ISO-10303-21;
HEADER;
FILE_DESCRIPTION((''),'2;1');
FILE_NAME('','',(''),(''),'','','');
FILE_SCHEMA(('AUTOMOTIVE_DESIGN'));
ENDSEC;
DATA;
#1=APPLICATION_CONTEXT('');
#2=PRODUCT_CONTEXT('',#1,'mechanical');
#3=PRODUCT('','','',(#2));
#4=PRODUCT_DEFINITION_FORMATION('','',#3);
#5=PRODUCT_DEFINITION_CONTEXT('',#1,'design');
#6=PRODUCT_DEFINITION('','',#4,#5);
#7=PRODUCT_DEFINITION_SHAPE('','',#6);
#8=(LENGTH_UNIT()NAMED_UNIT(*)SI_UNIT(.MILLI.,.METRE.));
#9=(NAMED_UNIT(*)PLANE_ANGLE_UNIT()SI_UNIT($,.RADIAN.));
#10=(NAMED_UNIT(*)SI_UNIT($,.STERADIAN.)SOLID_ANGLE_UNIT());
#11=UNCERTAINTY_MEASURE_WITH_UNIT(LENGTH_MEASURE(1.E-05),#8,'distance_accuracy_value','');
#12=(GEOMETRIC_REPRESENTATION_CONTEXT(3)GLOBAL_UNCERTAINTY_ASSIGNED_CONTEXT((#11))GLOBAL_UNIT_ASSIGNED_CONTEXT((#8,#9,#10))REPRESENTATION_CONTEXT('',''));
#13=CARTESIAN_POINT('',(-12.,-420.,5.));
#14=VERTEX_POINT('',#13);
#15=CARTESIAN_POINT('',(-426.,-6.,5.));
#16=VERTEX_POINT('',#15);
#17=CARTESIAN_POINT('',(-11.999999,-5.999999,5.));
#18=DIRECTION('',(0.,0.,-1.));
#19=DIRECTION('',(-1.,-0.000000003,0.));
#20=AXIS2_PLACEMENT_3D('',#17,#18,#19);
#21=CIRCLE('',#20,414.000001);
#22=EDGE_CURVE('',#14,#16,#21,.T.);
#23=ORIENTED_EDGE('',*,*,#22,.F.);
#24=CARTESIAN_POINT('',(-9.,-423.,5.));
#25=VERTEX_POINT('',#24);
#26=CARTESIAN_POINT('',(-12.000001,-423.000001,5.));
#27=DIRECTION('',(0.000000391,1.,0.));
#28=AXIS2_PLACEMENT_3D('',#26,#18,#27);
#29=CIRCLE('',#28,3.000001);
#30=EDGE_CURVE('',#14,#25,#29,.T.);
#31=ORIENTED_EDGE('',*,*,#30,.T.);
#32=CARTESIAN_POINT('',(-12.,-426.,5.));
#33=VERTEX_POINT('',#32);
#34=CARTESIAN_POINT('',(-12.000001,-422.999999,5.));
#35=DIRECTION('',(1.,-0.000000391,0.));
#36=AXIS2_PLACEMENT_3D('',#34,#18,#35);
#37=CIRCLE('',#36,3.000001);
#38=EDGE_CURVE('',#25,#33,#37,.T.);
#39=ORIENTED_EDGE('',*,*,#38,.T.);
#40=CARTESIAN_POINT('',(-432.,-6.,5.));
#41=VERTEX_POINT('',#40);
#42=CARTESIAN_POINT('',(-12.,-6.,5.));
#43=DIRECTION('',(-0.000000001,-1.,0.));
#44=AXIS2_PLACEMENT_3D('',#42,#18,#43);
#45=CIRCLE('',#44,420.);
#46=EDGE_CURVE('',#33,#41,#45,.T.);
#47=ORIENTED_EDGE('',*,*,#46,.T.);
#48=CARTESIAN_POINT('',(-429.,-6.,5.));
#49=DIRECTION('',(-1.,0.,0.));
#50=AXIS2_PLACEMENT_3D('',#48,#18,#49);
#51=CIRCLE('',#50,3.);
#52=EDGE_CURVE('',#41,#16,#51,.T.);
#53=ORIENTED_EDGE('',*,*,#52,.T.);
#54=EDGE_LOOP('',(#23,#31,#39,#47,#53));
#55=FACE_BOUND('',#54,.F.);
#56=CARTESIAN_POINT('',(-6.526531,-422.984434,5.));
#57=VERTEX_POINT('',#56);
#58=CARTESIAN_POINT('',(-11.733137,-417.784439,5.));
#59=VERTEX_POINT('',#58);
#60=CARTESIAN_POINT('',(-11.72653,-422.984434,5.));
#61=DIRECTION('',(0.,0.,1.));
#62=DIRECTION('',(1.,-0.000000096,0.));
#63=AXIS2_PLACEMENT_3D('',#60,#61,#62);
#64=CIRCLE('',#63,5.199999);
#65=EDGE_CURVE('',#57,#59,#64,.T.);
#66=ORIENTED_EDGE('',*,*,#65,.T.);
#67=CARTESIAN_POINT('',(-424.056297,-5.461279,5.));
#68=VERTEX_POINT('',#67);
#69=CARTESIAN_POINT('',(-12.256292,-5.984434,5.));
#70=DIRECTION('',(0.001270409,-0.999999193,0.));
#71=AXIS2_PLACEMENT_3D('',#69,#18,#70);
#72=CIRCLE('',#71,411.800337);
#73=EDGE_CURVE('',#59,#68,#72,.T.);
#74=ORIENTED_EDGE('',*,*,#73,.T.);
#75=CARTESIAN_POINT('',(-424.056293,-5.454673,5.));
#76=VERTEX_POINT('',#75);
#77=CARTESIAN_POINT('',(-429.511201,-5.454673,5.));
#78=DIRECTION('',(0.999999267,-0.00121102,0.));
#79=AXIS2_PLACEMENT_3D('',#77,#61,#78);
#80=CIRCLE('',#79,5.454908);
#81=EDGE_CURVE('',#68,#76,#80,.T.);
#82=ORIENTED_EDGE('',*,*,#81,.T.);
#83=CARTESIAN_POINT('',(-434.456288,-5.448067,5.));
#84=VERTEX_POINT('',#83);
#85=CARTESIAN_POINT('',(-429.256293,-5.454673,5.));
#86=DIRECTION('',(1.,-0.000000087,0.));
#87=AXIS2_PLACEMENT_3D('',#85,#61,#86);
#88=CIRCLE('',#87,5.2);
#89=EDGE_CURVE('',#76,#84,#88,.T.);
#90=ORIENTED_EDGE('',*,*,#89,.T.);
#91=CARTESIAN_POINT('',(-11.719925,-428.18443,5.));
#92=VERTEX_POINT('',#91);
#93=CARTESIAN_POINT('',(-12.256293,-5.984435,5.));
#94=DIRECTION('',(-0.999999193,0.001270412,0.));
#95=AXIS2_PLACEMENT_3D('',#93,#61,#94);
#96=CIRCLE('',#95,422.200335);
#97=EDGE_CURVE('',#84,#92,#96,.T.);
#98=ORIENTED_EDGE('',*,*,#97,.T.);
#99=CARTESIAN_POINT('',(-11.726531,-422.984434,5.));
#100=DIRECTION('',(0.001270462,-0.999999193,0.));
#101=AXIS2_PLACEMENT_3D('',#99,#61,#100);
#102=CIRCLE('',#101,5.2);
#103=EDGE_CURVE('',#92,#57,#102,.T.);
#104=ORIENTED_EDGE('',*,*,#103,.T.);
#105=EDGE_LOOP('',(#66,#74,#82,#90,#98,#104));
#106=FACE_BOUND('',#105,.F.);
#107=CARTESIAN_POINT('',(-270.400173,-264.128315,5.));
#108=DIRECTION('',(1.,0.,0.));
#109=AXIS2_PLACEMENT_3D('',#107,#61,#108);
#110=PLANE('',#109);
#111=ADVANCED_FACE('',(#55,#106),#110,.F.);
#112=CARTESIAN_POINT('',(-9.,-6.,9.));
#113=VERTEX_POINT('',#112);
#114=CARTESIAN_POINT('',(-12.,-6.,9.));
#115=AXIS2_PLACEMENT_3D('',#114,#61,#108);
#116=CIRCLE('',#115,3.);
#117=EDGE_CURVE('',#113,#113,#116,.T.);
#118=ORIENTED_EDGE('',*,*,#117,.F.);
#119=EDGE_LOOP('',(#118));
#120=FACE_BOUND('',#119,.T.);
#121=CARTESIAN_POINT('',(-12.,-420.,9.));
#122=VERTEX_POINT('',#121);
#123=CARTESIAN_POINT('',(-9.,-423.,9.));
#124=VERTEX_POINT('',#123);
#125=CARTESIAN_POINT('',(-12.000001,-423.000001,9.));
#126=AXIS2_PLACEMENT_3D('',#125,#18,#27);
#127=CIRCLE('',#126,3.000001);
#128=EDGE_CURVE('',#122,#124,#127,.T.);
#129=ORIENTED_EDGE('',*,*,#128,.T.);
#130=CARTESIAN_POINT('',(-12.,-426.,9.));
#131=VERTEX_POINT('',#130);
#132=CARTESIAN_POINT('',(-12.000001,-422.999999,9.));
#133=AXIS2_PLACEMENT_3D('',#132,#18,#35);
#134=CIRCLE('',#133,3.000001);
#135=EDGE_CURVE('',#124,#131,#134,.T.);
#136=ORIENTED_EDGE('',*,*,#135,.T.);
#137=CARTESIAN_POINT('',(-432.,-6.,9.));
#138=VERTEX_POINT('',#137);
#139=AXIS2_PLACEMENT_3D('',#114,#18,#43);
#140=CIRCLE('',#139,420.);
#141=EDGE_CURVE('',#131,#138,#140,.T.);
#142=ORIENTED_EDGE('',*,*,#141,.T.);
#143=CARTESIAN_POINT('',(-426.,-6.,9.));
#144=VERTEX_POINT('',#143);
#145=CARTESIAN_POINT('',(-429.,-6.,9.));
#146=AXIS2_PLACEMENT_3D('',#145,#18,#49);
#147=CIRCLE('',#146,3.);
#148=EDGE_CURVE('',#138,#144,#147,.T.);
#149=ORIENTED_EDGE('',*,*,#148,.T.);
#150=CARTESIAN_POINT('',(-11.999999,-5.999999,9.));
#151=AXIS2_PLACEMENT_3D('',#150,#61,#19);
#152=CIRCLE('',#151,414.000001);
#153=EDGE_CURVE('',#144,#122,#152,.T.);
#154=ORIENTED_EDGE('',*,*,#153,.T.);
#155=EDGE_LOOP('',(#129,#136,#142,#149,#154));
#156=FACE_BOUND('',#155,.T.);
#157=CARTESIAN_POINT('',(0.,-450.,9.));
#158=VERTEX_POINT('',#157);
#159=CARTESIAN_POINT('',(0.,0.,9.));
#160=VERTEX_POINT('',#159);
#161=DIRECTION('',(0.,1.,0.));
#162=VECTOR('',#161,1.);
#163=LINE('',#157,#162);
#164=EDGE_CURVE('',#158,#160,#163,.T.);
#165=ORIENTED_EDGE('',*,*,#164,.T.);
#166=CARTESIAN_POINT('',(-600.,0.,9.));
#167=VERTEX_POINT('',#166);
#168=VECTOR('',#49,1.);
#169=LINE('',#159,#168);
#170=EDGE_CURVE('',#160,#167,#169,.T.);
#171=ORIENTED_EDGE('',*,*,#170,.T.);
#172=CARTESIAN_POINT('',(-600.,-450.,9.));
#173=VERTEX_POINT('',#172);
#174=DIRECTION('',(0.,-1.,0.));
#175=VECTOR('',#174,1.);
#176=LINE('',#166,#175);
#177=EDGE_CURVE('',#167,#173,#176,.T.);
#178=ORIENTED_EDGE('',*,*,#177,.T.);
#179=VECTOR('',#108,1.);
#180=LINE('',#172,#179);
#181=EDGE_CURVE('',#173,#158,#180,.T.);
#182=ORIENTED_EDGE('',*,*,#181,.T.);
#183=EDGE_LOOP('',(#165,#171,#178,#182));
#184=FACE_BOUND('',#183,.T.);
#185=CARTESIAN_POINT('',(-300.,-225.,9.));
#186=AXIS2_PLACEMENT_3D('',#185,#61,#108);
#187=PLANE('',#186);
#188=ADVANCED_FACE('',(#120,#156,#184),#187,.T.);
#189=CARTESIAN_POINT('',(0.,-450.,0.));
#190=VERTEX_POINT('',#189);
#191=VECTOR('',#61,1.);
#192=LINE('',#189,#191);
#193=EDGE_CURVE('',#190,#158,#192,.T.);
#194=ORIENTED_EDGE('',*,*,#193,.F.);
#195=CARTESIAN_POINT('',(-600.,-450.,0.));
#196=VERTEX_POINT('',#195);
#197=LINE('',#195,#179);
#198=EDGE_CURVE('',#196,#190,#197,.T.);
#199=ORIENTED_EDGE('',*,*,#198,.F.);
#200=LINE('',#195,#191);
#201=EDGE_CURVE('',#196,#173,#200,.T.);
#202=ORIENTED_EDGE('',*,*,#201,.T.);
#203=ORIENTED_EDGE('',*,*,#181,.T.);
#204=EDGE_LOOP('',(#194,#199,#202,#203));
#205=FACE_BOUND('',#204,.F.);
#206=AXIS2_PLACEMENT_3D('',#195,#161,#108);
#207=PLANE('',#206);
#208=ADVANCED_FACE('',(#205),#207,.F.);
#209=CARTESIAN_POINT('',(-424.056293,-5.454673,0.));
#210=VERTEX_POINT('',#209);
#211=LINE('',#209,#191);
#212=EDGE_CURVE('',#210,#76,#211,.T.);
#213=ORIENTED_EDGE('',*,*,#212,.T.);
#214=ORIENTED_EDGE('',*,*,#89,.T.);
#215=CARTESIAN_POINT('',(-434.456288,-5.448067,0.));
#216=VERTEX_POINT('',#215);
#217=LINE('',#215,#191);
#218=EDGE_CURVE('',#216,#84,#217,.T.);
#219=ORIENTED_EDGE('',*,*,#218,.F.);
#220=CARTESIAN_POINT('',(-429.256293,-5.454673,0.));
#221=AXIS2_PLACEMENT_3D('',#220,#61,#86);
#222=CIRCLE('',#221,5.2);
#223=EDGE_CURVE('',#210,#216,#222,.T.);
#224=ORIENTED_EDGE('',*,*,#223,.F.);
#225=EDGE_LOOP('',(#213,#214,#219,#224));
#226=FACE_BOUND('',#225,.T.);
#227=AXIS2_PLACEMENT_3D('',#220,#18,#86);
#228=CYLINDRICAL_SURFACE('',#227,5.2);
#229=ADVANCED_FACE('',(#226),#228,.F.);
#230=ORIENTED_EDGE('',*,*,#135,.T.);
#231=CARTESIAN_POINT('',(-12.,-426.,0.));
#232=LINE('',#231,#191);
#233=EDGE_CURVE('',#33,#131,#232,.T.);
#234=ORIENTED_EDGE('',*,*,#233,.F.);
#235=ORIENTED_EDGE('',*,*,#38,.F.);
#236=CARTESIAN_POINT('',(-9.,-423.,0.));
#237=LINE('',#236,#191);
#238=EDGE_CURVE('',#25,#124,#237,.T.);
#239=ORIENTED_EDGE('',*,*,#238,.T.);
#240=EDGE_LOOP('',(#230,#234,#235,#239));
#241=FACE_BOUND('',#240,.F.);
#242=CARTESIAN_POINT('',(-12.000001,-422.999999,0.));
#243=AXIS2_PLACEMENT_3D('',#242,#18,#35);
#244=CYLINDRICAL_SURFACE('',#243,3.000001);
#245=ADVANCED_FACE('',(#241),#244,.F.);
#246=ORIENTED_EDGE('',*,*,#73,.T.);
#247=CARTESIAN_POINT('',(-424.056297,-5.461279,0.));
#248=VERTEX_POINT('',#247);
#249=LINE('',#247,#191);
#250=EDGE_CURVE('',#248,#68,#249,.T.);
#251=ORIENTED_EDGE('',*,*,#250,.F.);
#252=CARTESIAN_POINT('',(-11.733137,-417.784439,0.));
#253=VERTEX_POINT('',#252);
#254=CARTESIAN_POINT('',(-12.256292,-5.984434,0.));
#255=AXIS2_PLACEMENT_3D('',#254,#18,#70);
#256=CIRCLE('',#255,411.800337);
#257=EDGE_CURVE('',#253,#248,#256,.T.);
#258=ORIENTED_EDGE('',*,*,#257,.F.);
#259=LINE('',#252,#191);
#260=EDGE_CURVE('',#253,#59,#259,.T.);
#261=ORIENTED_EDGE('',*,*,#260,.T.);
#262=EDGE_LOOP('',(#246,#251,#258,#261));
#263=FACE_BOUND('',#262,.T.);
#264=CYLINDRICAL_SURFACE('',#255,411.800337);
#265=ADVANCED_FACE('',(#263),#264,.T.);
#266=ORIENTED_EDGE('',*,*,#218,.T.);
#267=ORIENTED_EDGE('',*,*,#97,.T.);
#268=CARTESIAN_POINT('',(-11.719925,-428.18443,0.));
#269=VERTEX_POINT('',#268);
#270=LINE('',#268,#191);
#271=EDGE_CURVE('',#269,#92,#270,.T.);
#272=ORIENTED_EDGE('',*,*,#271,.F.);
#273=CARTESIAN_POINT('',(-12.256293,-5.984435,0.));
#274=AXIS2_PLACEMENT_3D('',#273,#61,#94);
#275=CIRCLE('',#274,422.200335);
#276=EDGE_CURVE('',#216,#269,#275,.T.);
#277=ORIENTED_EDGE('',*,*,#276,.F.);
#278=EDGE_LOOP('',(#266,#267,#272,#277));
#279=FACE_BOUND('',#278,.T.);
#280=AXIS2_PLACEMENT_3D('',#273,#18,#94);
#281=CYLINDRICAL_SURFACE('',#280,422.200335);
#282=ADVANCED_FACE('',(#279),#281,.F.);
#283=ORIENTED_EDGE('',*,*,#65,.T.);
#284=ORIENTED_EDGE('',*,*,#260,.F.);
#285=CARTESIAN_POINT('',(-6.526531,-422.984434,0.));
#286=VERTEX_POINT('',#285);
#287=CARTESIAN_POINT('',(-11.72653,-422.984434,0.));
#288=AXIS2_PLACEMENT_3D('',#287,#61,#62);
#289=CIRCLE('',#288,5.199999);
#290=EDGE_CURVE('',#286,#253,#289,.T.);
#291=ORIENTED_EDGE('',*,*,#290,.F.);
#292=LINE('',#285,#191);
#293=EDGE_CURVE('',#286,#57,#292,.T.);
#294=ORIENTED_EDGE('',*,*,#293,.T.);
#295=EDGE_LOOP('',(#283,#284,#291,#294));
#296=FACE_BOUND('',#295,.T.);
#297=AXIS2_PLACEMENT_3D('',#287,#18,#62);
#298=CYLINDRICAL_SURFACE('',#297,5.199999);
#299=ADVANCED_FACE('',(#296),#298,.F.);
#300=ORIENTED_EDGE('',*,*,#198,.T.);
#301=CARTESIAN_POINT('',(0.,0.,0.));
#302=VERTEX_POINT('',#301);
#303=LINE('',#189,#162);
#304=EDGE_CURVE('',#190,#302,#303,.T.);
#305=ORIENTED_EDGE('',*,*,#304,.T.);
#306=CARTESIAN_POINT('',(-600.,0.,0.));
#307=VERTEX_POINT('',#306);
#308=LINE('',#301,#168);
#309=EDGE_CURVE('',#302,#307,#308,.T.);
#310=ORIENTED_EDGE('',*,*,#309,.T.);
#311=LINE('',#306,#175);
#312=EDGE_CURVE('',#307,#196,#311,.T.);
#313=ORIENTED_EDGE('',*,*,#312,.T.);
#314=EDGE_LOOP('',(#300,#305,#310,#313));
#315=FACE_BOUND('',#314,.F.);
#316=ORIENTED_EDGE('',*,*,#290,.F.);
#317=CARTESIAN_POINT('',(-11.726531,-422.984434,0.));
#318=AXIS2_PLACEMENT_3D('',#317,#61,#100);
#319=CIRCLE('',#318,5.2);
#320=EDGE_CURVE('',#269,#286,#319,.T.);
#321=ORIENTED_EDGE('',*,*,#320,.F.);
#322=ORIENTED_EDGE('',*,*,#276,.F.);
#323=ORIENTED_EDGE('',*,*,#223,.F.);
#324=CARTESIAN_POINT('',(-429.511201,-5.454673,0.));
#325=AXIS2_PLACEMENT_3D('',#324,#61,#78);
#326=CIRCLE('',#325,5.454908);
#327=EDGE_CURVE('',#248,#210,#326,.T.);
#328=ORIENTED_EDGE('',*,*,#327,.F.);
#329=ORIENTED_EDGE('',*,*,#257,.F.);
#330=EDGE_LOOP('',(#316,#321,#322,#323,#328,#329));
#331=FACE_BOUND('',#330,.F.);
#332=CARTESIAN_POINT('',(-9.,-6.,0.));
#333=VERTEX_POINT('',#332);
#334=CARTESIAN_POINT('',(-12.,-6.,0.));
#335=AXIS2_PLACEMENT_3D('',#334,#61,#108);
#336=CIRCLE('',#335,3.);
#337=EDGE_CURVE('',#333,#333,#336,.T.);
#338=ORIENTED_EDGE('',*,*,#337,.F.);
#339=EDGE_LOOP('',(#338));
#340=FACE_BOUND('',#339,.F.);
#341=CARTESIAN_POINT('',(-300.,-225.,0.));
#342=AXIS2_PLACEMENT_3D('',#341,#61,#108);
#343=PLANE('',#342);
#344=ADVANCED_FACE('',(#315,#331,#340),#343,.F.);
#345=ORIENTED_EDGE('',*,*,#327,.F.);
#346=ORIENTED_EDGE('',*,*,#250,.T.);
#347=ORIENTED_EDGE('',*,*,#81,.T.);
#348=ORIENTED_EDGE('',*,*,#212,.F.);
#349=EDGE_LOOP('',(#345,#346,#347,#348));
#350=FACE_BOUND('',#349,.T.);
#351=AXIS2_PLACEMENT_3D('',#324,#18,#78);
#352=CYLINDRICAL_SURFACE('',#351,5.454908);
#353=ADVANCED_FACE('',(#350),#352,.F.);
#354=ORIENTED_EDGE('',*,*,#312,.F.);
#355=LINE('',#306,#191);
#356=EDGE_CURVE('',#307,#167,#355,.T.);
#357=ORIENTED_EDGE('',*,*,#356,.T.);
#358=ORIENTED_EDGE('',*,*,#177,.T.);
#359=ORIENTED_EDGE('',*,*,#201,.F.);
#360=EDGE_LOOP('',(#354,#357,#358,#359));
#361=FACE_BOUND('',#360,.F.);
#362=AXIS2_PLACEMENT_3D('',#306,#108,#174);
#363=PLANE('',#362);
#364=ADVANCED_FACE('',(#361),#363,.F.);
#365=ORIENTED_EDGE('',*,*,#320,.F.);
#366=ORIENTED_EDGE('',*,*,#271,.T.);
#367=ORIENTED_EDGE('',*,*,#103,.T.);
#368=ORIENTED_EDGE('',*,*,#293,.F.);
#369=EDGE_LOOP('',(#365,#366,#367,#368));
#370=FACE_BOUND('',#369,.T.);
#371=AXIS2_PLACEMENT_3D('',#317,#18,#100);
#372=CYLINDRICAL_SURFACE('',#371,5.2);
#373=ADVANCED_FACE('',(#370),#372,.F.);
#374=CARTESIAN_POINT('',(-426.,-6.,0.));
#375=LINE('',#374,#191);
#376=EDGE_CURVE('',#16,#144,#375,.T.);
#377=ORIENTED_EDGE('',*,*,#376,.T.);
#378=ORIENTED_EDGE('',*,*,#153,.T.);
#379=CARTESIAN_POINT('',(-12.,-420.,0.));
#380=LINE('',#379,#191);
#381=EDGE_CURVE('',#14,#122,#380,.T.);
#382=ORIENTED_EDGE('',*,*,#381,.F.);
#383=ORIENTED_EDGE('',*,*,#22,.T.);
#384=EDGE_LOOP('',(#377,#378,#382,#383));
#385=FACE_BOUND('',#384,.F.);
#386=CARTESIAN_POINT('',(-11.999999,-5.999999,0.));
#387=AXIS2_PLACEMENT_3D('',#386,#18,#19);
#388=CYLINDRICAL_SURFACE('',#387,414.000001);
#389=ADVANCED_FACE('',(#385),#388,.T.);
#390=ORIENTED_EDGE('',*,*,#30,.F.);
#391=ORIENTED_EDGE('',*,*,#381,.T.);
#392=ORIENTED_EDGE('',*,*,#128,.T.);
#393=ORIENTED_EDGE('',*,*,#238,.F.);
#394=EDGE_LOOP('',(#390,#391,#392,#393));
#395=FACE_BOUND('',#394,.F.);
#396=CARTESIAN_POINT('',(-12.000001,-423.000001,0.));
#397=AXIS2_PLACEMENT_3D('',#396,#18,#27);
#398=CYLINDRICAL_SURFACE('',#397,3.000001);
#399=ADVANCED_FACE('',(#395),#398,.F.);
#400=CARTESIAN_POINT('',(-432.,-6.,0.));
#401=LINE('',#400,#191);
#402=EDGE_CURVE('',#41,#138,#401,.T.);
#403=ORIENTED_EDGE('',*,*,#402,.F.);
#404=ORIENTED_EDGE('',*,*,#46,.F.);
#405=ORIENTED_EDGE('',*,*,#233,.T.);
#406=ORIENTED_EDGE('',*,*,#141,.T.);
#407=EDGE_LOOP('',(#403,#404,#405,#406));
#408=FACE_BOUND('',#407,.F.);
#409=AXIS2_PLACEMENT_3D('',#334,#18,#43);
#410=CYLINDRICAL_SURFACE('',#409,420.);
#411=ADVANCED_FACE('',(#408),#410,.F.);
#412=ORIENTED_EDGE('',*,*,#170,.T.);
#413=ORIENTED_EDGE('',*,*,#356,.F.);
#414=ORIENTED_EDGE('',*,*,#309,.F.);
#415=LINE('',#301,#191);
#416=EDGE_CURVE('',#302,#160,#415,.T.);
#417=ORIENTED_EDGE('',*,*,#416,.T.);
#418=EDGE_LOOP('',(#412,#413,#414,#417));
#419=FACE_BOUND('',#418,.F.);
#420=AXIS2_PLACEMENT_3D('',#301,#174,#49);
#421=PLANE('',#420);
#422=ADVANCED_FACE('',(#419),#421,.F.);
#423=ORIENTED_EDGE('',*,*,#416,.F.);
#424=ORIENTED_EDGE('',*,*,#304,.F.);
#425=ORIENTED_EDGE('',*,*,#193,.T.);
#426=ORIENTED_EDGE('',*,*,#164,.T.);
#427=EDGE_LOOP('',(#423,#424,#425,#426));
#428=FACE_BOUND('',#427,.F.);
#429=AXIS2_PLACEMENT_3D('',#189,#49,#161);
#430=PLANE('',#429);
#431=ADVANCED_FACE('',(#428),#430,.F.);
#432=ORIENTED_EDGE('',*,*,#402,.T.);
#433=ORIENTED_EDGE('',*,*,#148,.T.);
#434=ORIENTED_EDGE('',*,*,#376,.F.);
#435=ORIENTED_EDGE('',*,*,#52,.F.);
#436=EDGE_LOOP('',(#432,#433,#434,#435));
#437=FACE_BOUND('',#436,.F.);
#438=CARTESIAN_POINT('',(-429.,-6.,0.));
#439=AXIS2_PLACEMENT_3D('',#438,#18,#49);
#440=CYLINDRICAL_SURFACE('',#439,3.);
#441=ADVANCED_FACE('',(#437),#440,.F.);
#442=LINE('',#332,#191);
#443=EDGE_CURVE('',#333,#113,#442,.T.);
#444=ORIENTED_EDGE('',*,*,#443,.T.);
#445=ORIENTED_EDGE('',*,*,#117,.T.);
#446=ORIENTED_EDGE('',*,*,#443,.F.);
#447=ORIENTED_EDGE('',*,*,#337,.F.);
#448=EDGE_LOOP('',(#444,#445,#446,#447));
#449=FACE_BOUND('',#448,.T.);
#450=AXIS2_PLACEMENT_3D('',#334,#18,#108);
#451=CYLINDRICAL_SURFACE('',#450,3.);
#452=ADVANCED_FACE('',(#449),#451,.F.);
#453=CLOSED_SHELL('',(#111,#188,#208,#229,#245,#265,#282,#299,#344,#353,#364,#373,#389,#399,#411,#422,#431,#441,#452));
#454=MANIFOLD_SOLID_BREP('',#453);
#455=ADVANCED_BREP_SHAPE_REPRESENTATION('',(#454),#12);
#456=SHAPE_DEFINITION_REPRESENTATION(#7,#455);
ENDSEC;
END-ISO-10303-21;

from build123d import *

# Parameters (mm, degrees)
F0_R     = 3
F1_DEPTH = 9
F3_DEPTH = 5


with BuildPart() as f1:
    # F0 (on Top) → F1 (new body)
    with BuildSketch(Plane.XY):
        Polygon((0, -450), (0, 0), (-600, 0), (-600, -450), (-28.759103, -450), align=None)
        with BuildLine():
            ThreePointArc((-12, -420), (-9.87868, -420.87868), (-9, -423))
            ThreePointArc((-9, -423), (-9.87868, -425.12132), (-12, -426))
            ThreePointArc((-12, -426), (-308.984848, -302.984848), (-432, -6))
            ThreePointArc((-432, -6), (-429, -3), (-426, -6))
            ThreePointArc((-426, -6), (-304.742207, -298.742207), (-12, -420))
        make_face(mode=Mode.SUBTRACT)
        with Locations((-12, -6)):
            Circle(F0_R, mode=Mode.SUBTRACT)
    extrude(amount=F1_DEPTH)

    # F2 (on Top) → F3 (cut)
    with BuildSketch(Plane.XY):
        with BuildLine():
            ThreePointArc((-424.056297, -5.461279), (-429.262899, -10.654669), (-434.456288, -5.448067))
            ThreePointArc((-434.456288, -5.448067), (-310.797014, -304.525155), (-11.719925, -428.18443))
            ThreePointArc((-11.719925, -428.18443), (-16.926527, -422.99104), (-11.733137, -417.784439))
            ThreePointArc((-11.733137, -417.784439), (-303.443103, -297.171245), (-424.056297, -5.461279))
        make_face()
        with BuildLine():
            ThreePointArc((-424.056297, -5.461279), (-424.056294, -5.457976), (-424.056293, -5.454673))
            ThreePointArc((-424.056293, -5.454673), (-429.25299, -0.254674), (-434.456288, -5.448067))
            ThreePointArc((-434.456288, -5.448067), (-429.262899, -10.654669), (-424.056297, -5.461279))
        make_face()
        with BuildLine():
            ThreePointArc((-11.733137, -417.784439), (-16.926527, -422.99104), (-11.719925, -428.18443))
            ThreePointArc((-11.719925, -428.18443), (-8.047241, -426.659053), (-6.526531, -422.984434))
            ThreePointArc((-6.526531, -422.984434), (-8.051912, -419.305144), (-11.733137, -417.784439))
        make_face()
    extrude(amount=F3_DEPTH, mode=Mode.SUBTRACT)


solid = f1.part
